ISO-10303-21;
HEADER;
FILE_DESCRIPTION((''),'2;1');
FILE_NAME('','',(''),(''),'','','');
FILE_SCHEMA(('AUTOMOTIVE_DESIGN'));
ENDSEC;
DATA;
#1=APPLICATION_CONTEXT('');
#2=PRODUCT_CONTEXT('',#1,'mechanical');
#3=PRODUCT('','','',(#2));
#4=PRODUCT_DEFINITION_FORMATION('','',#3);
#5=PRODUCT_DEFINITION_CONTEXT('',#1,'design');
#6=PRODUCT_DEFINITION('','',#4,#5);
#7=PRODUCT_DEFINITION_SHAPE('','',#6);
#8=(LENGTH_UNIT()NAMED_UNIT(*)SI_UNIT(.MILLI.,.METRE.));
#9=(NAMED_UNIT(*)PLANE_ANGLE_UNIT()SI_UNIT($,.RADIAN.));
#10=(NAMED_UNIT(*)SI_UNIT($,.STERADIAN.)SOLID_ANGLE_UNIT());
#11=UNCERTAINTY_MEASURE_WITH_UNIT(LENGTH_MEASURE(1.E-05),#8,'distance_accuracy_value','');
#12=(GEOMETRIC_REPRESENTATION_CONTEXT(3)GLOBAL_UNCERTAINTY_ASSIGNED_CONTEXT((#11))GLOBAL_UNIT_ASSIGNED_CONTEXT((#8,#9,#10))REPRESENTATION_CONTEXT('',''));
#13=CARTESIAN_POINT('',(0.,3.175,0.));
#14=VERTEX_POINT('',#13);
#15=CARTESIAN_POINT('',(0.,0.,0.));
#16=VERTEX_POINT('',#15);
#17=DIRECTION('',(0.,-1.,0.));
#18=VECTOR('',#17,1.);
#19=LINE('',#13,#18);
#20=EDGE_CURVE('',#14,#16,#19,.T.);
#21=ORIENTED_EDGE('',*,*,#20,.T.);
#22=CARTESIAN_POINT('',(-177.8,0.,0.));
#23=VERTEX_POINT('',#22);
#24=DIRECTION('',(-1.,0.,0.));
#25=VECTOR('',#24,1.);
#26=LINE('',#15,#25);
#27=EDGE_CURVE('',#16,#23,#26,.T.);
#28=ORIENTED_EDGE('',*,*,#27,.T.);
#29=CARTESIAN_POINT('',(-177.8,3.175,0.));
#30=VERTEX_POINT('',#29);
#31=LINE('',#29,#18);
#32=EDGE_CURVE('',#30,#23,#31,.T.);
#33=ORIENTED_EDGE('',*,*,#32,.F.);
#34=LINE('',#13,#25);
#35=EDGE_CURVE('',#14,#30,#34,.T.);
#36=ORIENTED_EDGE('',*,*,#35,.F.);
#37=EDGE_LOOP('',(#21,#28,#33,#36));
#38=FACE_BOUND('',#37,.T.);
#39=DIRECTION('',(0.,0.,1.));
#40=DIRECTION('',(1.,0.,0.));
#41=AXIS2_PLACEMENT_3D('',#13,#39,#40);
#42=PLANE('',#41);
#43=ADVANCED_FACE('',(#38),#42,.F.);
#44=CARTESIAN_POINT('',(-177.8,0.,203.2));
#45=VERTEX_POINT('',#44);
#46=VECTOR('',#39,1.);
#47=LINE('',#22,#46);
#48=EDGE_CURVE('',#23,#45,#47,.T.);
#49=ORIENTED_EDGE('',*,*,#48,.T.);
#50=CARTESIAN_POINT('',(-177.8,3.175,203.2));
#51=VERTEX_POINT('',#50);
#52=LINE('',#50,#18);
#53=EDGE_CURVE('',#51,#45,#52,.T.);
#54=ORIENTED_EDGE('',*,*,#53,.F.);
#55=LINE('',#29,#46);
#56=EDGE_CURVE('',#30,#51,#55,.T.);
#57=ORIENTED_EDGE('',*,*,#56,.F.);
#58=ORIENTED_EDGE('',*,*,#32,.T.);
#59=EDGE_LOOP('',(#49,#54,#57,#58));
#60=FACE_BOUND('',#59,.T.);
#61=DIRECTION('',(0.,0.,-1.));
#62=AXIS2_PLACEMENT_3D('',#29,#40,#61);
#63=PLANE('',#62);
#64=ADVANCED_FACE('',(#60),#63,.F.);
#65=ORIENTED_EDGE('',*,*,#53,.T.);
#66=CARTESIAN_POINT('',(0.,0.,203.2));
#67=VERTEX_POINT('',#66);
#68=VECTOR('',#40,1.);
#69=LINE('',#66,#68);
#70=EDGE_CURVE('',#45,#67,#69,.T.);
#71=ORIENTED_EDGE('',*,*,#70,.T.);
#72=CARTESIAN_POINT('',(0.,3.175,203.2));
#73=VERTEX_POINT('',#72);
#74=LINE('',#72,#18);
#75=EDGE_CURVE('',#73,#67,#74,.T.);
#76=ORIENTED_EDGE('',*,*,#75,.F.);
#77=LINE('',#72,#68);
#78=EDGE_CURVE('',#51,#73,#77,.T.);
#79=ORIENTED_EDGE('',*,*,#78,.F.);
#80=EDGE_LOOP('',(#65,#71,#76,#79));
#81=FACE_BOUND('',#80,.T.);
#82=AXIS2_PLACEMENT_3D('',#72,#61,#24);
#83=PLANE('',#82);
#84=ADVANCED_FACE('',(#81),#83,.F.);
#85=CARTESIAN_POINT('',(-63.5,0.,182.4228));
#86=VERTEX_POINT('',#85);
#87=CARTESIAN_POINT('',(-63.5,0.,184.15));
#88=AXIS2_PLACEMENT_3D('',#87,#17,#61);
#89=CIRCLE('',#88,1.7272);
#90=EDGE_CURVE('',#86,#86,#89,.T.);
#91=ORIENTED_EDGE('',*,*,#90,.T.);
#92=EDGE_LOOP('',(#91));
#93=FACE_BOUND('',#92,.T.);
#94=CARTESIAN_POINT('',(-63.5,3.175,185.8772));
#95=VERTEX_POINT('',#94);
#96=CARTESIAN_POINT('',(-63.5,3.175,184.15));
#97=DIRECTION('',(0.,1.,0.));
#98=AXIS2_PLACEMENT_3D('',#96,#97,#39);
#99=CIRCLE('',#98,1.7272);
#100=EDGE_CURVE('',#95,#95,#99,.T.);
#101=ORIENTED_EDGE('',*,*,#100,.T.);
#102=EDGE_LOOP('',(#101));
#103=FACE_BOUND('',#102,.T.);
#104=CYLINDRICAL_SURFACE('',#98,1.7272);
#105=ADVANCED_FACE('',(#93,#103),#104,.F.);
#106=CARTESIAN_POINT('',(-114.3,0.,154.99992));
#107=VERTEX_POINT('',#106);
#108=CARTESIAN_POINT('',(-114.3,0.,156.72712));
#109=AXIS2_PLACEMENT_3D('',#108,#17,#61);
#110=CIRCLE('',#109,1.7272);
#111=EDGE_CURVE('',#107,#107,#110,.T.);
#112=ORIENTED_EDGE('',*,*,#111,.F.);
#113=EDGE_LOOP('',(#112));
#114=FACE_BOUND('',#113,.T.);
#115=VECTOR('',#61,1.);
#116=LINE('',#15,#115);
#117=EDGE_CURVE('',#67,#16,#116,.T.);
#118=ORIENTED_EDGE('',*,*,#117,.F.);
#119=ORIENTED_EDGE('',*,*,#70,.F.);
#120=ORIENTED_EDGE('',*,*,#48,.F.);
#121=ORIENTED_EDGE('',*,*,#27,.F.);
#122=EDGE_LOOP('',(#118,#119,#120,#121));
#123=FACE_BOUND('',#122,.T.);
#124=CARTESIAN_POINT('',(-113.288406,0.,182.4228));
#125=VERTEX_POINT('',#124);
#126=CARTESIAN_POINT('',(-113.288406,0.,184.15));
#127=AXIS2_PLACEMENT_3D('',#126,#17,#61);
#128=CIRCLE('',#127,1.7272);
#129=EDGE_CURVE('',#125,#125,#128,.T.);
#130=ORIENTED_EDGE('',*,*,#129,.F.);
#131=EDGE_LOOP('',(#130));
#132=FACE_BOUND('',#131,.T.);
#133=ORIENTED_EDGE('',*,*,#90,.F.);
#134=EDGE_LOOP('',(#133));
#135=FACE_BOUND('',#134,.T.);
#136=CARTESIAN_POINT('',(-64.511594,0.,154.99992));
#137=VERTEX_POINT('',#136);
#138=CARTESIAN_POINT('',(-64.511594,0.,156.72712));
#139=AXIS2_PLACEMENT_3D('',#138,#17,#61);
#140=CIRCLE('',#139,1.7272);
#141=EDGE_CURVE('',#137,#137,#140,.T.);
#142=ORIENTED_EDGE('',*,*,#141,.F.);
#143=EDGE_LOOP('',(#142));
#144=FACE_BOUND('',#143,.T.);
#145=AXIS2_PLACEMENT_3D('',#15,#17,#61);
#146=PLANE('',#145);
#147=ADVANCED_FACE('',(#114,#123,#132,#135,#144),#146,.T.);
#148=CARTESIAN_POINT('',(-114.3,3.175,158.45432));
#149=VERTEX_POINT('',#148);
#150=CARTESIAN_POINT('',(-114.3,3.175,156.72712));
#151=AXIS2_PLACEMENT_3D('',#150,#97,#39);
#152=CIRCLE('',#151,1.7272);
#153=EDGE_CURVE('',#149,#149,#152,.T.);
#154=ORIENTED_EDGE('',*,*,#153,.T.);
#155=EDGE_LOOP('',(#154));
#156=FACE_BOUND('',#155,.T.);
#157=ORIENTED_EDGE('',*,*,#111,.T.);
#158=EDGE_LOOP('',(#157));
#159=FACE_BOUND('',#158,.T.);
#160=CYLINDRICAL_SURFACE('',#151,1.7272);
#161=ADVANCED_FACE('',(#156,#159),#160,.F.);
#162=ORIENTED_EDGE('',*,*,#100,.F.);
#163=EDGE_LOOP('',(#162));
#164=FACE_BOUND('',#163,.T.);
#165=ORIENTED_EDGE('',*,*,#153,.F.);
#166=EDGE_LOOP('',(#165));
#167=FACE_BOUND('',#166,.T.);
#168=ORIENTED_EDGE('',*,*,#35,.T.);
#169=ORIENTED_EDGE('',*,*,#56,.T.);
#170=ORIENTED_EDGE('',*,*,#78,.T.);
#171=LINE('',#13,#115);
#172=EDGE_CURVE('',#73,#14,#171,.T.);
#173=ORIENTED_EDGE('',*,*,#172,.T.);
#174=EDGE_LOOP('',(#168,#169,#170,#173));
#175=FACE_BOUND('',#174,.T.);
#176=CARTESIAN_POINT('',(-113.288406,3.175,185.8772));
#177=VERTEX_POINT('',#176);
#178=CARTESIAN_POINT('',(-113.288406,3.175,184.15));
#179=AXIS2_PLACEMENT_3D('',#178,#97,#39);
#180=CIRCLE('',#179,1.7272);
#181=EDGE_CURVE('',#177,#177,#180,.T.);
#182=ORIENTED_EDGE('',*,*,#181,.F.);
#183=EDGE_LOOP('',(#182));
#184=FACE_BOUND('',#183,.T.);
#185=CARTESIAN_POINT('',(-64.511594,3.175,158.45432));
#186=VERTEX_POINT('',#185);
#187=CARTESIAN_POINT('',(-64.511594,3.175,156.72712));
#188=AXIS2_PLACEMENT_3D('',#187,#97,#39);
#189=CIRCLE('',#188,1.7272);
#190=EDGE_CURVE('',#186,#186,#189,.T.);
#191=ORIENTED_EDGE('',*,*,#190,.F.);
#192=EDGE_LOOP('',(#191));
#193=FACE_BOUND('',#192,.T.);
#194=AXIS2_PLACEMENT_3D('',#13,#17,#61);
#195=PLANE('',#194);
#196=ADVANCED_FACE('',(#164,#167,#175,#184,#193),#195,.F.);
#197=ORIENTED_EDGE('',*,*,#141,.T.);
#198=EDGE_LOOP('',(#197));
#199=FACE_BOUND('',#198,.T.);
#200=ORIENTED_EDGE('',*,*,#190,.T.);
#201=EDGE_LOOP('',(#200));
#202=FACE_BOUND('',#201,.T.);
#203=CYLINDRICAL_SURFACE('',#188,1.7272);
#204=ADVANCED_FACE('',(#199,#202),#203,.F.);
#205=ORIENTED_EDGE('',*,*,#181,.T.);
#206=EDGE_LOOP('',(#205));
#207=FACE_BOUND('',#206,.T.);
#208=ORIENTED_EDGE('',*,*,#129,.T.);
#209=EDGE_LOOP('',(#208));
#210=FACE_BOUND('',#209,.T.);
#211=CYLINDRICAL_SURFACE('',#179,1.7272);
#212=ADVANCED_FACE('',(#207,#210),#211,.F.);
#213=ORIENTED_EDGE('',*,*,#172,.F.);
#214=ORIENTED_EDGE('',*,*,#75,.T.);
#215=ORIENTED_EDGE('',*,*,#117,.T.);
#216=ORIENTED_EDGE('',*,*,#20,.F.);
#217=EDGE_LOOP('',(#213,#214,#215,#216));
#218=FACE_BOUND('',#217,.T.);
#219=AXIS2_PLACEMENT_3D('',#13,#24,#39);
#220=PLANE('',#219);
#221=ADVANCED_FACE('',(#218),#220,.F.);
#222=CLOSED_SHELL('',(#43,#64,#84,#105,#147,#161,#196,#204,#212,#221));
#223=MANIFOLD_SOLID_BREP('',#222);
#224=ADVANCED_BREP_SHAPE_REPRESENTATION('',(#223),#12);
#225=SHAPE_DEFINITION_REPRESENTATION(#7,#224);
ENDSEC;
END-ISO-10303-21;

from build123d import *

# Parameters (mm, degrees)
SKETCH1_W                 = 177.8
SKETCH1_H                 = 203.2
BOSS_EXTRUDE1_DEPTH       = 3.175
TAP_DRILL_FOR_8_36_TAP1_D = 3.4544


with BuildPart() as part:
    # Sketch1 → Boss-Extrude1 (new body)
    with BuildSketch(Plane(origin=(0, 0, 0), x_dir=(1, 0, 0), z_dir=(0, 1, 0))):
        with Locations((-88.9, -101.6)):
            Rectangle(SKETCH1_W, SKETCH1_H)
    extrude(amount=BOSS_EXTRUDE1_DEPTH)

    # Tap Drill for #8-36 Tap1 (through all)
    with Locations(Plane(origin=(0, 3.175, 0), x_dir=(1, 0, 0), z_dir=(0, 1, 0))):
        with Locations((-114.3, -156.72712), (-64.511593905, -156.72712), (-113.288406095, -184.15), (-63.5, -184.15)):
            Hole(TAP_DRILL_FOR_8_36_TAP1_D / 2)


solid = part.part
